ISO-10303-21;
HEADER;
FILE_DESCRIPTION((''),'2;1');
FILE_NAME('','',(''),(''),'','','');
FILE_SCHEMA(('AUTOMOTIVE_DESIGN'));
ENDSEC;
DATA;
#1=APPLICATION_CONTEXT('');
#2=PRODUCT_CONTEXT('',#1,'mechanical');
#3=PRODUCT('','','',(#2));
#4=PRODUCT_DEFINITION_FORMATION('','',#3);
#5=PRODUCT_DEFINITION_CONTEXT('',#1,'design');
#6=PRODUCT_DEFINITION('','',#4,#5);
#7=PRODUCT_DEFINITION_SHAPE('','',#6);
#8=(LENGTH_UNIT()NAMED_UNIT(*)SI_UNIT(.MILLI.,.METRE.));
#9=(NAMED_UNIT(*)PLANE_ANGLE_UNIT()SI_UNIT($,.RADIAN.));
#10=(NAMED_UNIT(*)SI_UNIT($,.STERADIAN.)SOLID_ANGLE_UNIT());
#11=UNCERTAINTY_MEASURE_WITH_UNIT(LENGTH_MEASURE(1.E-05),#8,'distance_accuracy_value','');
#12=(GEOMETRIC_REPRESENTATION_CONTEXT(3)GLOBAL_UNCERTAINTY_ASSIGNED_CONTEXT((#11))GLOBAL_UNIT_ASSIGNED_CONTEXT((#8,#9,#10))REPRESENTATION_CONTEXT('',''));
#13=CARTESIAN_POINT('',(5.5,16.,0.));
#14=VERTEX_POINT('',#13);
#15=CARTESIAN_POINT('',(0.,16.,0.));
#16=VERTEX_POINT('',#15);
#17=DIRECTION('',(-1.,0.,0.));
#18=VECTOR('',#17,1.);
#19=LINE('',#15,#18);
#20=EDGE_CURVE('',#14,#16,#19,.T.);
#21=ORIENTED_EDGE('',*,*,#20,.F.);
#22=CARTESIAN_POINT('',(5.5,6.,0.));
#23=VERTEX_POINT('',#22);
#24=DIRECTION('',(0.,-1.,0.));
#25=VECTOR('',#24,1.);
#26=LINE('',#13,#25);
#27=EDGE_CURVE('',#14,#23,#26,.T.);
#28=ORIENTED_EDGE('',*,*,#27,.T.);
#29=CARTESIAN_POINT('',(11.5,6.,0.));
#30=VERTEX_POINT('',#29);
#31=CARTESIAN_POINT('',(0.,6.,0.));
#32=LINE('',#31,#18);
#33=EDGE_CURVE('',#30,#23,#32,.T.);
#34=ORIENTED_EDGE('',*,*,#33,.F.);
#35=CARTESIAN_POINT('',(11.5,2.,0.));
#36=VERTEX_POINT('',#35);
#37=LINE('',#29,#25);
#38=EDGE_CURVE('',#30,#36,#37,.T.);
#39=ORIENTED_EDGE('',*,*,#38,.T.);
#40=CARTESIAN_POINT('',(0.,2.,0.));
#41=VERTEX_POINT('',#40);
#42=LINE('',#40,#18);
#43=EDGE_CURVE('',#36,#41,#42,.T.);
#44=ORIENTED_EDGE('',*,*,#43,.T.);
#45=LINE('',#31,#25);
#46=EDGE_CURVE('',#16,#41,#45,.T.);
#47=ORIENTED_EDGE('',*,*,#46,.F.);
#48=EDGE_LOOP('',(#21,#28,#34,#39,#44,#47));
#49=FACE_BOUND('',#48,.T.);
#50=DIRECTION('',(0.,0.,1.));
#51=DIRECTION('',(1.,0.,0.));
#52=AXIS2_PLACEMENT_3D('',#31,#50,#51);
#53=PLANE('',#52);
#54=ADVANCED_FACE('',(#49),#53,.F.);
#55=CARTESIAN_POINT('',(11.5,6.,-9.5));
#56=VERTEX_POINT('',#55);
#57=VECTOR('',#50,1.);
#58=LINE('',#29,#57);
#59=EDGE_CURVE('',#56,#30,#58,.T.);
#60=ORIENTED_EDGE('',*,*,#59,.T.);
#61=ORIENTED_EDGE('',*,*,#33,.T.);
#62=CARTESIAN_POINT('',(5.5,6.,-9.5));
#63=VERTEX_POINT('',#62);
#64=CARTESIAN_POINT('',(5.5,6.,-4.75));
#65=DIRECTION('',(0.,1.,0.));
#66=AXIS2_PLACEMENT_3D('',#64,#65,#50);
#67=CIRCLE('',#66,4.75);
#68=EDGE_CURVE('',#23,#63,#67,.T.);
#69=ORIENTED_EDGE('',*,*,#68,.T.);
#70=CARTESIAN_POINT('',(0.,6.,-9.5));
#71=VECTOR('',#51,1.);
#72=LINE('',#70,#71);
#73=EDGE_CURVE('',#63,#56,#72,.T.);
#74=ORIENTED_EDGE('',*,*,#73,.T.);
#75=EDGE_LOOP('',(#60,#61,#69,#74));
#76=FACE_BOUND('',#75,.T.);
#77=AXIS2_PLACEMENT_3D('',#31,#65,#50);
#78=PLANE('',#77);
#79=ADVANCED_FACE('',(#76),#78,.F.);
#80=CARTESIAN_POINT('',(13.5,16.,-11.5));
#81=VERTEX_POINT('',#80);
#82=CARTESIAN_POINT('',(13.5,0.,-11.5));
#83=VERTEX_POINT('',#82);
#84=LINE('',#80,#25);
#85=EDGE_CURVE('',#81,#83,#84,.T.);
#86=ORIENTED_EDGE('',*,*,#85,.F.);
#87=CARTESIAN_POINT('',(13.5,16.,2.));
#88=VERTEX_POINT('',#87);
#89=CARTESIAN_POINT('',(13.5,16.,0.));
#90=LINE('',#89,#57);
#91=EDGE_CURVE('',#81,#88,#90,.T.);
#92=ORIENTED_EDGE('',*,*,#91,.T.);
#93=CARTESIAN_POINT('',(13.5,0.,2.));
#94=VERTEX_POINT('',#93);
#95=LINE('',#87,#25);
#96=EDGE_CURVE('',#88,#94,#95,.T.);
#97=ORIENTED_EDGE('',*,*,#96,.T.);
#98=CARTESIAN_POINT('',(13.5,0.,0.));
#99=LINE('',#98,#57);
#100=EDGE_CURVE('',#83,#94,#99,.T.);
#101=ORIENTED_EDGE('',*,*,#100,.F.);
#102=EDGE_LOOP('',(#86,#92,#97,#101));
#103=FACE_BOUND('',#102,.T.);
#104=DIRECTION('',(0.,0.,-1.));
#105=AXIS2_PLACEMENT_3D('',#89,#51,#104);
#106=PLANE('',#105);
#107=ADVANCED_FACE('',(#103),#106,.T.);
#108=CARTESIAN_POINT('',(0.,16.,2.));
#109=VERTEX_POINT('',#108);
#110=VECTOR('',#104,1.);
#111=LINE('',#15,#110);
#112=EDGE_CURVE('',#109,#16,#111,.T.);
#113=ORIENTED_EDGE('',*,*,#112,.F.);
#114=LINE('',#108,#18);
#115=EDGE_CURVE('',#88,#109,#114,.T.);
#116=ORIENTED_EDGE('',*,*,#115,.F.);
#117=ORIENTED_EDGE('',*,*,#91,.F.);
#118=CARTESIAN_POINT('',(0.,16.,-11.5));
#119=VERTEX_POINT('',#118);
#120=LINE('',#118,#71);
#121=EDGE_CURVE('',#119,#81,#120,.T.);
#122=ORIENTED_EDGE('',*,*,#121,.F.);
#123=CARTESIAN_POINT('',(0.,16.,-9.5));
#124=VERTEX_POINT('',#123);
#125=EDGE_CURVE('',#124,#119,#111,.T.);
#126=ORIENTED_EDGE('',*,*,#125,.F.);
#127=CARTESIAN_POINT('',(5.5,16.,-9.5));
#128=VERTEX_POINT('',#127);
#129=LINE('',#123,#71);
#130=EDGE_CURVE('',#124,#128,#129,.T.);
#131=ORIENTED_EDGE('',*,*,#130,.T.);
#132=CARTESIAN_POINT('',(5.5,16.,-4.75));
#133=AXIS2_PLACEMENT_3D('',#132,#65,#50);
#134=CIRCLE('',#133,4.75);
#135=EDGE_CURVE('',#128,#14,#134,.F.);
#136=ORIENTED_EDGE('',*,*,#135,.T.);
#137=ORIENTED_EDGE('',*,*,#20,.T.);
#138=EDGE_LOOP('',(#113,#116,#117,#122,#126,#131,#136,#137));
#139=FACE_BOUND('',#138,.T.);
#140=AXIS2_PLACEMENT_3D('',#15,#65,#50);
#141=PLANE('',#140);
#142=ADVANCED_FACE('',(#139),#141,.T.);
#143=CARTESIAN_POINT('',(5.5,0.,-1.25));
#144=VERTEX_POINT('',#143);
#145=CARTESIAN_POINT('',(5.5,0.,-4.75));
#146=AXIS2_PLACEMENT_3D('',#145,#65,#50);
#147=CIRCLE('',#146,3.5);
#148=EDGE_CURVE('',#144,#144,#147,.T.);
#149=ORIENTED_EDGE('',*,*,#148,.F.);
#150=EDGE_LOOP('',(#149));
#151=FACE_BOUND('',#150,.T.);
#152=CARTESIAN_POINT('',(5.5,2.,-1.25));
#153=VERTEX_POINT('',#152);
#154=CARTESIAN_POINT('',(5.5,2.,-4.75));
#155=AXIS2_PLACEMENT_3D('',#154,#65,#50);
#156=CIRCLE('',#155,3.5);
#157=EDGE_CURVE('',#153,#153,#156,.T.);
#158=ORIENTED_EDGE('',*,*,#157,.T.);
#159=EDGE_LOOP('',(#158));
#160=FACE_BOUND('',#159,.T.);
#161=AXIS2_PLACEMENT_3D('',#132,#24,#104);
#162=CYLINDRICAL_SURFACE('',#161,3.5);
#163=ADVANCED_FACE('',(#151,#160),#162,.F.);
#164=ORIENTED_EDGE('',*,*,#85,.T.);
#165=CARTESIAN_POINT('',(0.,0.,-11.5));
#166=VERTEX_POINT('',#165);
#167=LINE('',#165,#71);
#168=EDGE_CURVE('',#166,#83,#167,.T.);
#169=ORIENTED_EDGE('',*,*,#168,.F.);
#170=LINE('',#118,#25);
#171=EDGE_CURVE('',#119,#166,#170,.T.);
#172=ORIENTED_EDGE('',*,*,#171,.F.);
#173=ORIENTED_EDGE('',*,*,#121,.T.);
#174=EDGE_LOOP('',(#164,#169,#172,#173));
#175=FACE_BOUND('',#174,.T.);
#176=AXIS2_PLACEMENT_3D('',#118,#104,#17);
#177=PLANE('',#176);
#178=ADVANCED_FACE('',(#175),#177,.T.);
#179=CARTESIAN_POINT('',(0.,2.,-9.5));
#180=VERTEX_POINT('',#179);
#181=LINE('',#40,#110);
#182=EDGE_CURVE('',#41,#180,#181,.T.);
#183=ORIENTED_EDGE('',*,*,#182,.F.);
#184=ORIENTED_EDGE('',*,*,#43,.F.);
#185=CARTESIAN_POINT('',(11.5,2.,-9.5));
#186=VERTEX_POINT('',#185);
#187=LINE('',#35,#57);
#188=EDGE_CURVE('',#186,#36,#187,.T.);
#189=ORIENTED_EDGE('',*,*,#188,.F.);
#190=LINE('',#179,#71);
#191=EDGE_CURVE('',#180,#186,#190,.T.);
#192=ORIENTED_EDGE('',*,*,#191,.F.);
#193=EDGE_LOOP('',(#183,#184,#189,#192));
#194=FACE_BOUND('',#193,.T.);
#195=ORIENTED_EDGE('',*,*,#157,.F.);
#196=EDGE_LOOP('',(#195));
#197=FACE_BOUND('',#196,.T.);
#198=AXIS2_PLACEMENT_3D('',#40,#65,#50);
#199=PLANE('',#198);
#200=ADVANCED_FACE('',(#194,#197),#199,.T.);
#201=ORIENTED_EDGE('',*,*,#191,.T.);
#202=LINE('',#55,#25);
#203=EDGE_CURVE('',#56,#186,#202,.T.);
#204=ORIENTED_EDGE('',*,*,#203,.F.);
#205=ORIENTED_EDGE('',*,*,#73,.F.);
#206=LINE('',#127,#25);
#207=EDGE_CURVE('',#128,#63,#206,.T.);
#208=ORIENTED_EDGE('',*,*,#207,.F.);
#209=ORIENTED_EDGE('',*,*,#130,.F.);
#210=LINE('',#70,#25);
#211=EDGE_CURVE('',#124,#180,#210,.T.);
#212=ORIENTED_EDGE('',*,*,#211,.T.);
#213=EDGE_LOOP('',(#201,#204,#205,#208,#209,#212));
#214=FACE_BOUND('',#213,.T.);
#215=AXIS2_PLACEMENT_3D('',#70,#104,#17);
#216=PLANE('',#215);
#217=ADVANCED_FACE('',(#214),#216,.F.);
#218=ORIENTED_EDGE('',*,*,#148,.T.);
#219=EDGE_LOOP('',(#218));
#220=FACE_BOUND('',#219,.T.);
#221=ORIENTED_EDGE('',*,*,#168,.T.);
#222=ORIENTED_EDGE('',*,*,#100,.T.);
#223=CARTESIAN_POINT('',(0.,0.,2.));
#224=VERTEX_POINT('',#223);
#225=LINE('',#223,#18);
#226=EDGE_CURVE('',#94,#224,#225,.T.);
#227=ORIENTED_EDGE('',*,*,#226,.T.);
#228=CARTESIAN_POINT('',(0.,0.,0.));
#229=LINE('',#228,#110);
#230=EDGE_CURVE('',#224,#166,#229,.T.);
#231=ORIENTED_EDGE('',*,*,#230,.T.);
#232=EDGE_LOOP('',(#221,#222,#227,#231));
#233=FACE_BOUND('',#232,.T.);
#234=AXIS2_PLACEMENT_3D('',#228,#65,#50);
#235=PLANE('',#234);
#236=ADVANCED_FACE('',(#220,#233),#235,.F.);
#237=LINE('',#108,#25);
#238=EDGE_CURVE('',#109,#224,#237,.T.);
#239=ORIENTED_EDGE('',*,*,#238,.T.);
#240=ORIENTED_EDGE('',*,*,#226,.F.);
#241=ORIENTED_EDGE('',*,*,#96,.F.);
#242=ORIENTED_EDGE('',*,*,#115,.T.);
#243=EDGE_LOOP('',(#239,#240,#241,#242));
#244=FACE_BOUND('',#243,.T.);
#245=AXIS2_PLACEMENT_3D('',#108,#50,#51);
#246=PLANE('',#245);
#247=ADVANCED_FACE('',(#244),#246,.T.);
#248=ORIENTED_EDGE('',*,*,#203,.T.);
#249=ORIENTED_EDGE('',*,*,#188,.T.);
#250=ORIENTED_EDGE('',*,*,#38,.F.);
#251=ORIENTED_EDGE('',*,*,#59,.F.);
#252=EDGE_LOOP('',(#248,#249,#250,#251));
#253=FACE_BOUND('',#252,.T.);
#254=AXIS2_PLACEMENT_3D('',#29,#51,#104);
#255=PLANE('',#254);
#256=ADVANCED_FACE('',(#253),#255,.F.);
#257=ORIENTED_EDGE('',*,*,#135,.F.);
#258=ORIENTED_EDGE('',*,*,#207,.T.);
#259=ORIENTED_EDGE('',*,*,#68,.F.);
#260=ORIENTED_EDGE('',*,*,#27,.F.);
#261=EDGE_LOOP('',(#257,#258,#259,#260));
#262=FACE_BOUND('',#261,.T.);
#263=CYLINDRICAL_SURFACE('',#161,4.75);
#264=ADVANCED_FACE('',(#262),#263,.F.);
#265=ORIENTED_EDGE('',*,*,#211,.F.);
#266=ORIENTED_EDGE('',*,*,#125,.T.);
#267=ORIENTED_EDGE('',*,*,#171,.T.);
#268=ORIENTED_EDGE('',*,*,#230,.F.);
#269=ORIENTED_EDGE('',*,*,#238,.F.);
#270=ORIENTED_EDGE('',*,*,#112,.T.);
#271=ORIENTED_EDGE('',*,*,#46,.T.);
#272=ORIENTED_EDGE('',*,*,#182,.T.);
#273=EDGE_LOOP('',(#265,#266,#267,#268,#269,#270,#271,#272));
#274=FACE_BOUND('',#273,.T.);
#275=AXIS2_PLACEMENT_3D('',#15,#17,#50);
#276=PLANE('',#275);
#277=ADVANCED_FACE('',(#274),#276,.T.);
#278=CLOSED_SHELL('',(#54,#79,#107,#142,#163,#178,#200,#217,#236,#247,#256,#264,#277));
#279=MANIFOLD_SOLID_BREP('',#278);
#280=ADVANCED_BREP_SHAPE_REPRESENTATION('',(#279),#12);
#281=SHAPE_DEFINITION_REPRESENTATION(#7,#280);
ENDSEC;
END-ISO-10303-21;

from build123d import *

# Parameters (mm, degrees)
SKETCH_1_R          = 3.5
EXTRUDE_2_DEPTH     = 16
CUT_EXTRUDE_START   = 2
SKETCH_1_7_W        = 11.5
SKETCH_1_7_H        = 9.5
SKETCH_1_7_R        = 3.5
CUT_EXTRUDE_6_DEPTH = 4
SKETCH_1_9_R        = 3.5
CUT_EXTRUDE_8_DEPTH = 14


with BuildPart() as part:
    # 草图1 → 凸台-拉伸2 (new body)
    # profile 1 of 3: a face of its own
    with BuildSketch(Plane(origin=(0, 0, 0), x_dir=(1, 0, 0), z_dir=(0, 1, 0))):
        Polygon((0, 9.5), (0, 11.5), (5.5, 11.5), (13.5, 11.5), (13.5, -2), (5.5, -2), (0, -2), (0, 0), (5.5, 0), (11.5, 0), (11.5, 9.5), (5.5, 9.5), align=None)
    # profile 2 of 3: a face of its own
    with BuildSketch(Plane(origin=(0, 0, 0), x_dir=(1, 0, 0), z_dir=(0, 1, 0))):
        with BuildLine():
            Line((5.5, 9.5), (11.5, 9.5))
            Line((11.5, 9.5), (11.5, 0))
            Line((11.5, 0), (5.5, 0))
            ThreePointArc((5.5, 0), (10.25, 4.75), (5.5, 9.5))
        make_face()
    # profile 3 of 3: a face of its own
    with BuildSketch(Plane(origin=(0, 0, 0), x_dir=(1, 0, 0), z_dir=(0, 1, 0))):
        with BuildLine():
            ThreePointArc((5.5, 9.5), (10.25, 4.75), (5.5, 0))
            Line((5.5, 0), (0, 0))
            Line((0, 0), (0, 9.5))
            Line((0, 9.5), (5.5, 9.5))
        make_face()
        with Locations((5.5, 4.75)):
            Circle(SKETCH_1_R, mode=Mode.SUBTRACT)
    extrude(amount=EXTRUDE_2_DEPTH)

    # 草图1<7> → 切除-拉伸6 (cut)
    with BuildSketch(Plane(origin=(0, 0, 0), x_dir=(1, 0, 0), z_dir=(0, 1, 0)).offset(CUT_EXTRUDE_START)):
        with Locations((5.75, 4.75)):
            Rectangle(SKETCH_1_7_W, SKETCH_1_7_H)
        with Locations((5.5, 4.75)):
            Circle(SKETCH_1_7_R, mode=Mode.SUBTRACT)
    extrude(amount=CUT_EXTRUDE_6_DEPTH, mode=Mode.SUBTRACT)

    # 草图1<9> → 切除-拉伸8 (cut)
    with BuildSketch(Plane(origin=(0, 0, 0), x_dir=(1, 0, 0), z_dir=(0, 1, 0)).offset(CUT_EXTRUDE_START)):
        with BuildLine():
            Line((0, 9.5), (0, 0))
            Line((0, 0), (5.5, 0))
            ThreePointArc((5.5, 0), (10.25, 4.75), (5.5, 9.5))
            Line((5.5, 9.5), (0, 9.5))
        make_face()
        with Locations((5.5, 4.75)):
            Circle(SKETCH_1_9_R, mode=Mode.SUBTRACT)
    extrude(amount=CUT_EXTRUDE_8_DEPTH, mode=Mode.SUBTRACT)


solid = part.part
